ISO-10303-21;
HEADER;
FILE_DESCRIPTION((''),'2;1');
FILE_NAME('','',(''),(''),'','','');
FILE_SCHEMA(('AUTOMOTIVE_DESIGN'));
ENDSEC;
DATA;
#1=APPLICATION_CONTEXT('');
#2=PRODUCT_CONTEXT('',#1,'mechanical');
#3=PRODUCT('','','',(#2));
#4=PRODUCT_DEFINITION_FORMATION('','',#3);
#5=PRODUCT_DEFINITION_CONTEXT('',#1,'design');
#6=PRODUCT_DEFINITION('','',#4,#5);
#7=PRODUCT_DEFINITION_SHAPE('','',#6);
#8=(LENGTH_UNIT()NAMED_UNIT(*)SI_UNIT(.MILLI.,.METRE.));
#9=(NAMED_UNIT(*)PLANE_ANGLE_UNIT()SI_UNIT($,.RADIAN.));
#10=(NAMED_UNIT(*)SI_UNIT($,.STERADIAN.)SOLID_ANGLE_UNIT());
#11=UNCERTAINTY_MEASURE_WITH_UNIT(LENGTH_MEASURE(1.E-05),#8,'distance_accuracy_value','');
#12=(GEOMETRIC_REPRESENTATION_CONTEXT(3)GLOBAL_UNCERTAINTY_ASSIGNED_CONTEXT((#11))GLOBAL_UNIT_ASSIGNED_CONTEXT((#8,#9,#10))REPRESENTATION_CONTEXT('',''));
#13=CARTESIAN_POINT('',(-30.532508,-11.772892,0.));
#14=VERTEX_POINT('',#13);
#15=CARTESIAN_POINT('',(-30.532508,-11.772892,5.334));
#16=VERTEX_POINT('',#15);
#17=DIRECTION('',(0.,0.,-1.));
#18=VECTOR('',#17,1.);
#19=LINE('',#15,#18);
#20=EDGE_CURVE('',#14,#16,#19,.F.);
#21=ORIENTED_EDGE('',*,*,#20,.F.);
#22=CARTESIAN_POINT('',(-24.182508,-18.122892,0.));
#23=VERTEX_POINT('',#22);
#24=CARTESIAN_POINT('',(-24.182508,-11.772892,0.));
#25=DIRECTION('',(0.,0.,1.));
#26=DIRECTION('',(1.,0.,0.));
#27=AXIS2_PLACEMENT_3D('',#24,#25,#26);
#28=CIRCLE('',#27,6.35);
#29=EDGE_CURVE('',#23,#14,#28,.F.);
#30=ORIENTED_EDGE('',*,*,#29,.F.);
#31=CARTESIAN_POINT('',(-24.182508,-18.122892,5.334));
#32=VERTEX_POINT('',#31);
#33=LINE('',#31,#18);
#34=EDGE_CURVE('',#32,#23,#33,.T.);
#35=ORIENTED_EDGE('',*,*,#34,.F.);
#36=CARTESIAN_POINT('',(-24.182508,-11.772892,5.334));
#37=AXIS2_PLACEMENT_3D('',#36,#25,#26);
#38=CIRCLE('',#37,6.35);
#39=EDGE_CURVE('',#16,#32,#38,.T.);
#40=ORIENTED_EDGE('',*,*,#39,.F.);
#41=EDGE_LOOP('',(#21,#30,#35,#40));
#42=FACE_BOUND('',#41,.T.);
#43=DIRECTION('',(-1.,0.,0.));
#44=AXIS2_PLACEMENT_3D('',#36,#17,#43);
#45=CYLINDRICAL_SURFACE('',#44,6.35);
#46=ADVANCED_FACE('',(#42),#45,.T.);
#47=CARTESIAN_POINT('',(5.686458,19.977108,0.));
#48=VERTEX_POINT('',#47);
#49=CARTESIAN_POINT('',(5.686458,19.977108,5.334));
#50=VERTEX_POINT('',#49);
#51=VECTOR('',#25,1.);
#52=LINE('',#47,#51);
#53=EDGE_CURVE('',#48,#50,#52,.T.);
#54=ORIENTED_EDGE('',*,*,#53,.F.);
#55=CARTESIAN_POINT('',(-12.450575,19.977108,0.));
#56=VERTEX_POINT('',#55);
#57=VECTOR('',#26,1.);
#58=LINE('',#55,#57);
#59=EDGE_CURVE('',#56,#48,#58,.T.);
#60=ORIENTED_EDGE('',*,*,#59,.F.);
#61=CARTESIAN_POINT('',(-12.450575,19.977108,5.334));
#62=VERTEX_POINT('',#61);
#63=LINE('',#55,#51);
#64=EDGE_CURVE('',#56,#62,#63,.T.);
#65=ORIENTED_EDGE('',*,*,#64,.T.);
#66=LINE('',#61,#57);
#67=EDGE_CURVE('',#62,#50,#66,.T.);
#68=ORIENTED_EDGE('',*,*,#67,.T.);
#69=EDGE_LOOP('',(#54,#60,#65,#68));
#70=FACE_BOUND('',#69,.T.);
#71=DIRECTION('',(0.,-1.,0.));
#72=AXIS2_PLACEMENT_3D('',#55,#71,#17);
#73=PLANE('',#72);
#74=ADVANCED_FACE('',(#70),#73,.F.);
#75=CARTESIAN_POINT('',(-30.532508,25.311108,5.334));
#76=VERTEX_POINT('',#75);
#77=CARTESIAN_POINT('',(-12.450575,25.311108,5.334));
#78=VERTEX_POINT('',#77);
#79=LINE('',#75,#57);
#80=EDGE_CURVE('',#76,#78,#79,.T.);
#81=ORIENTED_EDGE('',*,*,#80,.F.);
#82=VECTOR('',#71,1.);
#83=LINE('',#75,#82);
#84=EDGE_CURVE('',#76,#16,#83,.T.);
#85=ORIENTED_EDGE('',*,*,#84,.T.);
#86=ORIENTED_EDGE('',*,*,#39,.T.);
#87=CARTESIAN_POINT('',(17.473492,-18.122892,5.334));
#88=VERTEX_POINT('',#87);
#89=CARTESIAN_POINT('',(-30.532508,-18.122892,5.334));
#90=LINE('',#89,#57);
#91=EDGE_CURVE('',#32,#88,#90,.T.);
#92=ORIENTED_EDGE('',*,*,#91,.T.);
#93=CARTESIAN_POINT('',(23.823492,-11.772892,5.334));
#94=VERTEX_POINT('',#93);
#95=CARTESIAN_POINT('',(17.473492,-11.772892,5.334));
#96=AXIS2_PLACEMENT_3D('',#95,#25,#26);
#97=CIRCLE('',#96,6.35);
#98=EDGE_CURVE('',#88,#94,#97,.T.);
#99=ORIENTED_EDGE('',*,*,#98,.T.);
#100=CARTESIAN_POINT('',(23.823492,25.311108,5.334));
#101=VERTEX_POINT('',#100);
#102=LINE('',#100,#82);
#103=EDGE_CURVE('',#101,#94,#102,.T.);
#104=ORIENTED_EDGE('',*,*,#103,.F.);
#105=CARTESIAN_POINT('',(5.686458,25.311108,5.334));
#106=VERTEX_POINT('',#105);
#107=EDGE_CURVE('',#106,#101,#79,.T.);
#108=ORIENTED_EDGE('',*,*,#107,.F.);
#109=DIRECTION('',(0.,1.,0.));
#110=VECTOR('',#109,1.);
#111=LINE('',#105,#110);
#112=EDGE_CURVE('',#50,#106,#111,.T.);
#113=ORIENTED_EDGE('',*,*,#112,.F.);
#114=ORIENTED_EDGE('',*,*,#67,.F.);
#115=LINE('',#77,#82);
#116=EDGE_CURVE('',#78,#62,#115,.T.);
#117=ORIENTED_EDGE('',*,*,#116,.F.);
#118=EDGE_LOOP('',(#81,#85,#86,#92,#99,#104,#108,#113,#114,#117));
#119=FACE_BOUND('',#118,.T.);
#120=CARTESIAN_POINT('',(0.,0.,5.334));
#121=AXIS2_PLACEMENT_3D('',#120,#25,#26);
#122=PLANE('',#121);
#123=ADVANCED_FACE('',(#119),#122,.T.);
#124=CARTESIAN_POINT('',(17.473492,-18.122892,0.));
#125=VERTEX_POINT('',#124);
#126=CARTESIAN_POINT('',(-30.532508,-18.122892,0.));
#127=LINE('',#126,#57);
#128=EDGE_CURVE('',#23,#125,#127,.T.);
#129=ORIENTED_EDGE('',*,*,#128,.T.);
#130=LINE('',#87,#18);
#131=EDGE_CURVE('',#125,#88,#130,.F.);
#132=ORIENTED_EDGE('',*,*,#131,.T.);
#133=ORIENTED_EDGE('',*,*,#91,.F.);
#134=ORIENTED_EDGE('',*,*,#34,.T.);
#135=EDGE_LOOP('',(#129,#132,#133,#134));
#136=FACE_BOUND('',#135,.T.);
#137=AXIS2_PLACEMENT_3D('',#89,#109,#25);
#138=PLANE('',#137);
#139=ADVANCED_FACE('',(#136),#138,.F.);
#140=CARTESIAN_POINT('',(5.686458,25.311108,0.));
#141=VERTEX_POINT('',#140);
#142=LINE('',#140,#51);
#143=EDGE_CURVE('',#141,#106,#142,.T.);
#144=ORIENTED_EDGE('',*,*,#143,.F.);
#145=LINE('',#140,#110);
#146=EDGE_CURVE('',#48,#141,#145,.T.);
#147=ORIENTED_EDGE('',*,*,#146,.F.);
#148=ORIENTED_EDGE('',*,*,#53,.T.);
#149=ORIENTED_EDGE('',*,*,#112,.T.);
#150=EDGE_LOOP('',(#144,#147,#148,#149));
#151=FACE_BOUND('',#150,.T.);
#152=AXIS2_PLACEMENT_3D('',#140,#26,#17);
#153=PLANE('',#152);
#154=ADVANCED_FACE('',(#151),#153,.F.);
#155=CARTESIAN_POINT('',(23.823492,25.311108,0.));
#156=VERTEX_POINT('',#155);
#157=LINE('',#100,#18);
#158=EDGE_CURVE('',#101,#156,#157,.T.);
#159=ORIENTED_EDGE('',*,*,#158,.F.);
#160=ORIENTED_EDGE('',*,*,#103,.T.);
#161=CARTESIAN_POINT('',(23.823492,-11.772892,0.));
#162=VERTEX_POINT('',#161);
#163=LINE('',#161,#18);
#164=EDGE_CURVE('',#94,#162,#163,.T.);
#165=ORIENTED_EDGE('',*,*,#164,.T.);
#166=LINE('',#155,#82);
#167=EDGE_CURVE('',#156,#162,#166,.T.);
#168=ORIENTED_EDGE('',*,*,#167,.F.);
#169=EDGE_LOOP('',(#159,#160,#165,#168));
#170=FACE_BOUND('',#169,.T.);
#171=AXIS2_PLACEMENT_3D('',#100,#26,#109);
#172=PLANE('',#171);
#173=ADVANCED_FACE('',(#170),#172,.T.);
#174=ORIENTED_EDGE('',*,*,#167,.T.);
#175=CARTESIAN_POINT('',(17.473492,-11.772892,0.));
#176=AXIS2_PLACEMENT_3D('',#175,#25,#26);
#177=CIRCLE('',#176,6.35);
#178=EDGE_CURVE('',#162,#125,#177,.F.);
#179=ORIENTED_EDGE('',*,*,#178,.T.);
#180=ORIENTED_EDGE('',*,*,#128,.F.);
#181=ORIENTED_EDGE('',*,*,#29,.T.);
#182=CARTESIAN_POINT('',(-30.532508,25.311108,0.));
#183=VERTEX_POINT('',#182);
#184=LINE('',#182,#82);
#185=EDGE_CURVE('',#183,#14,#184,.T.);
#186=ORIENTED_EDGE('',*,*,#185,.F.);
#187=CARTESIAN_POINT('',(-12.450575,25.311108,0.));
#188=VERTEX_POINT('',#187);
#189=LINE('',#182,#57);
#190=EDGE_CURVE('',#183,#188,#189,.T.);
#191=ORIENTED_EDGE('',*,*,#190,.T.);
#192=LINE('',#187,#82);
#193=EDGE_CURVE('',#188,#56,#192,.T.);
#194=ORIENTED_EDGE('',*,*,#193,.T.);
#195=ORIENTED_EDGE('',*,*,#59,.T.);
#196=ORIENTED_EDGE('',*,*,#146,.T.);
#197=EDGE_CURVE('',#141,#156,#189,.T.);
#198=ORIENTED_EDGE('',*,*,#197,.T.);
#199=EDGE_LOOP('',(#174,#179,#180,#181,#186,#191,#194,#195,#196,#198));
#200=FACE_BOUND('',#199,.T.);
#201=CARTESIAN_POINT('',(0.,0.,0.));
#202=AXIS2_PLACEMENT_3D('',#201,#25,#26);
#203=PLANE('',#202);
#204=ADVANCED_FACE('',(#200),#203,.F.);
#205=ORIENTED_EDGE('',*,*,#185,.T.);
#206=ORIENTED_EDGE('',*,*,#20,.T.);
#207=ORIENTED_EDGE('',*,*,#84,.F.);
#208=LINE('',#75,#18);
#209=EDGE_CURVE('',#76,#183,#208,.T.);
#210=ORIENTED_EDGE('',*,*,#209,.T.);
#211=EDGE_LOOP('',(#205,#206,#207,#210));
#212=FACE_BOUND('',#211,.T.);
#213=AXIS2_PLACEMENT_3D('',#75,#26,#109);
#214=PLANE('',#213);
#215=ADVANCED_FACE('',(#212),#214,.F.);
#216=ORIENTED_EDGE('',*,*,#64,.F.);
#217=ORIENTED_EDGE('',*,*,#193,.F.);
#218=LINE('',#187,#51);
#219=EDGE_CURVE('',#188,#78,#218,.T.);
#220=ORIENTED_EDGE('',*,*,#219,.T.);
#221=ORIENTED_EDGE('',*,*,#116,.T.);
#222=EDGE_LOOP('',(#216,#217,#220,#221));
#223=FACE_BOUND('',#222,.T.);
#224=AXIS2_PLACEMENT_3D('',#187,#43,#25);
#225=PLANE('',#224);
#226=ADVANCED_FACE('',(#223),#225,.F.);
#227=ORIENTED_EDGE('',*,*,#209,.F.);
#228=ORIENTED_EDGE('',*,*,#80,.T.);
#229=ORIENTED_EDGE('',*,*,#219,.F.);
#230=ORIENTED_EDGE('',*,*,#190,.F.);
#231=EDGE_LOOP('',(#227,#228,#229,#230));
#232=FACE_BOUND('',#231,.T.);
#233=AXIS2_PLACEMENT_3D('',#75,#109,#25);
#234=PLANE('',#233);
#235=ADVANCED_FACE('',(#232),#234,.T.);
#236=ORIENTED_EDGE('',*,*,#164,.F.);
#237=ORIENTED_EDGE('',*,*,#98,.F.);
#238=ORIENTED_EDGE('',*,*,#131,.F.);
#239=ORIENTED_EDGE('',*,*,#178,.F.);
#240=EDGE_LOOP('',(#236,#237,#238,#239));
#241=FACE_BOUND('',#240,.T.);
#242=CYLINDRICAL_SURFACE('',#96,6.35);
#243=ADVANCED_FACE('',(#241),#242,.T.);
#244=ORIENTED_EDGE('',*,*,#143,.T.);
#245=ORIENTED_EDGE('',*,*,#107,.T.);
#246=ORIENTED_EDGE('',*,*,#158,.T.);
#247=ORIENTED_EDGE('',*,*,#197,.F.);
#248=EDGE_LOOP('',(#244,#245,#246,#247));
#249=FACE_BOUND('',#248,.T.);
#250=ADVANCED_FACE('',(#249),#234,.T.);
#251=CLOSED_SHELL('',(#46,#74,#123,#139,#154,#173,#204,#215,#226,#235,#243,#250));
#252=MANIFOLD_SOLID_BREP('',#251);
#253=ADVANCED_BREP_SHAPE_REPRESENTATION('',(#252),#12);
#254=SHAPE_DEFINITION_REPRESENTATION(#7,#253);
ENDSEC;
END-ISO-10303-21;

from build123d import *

# Parameters (mm, degrees)
SKETCH1_W           = 54.356
SKETCH1_H           = 43.434
BOSS_EXTRUDE1_DEPTH = 5.334
SKETCH2_W           = 18.137033298
SKETCH2_H           = 5.334
CUT_EXTRUDE1_DEPTH  = 41.016719041
FILLET1_R           = 6.35


with BuildPart() as part:
    # Sketch1 → Boss-Extrude1 (new body)
    with BuildSketch(Plane.XY):
        with Locations((-3.35450847, 3.594107707)):
            Rectangle(SKETCH1_W, SKETCH1_H)
    extrude(amount=BOSS_EXTRUDE1_DEPTH)

    # Sketch2 → Cut-Extrude1 (cut, through all)
    with BuildSketch(Plane.XY.offset(5.334)):
        with Locations((-3.382058417, 22.644107707)):
            Rectangle(SKETCH2_W, SKETCH2_H)
    extrude(amount=-CUT_EXTRUDE1_DEPTH, mode=Mode.SUBTRACT)

    # Fillet1
    fillet1_edges = [part.edges().sort_by_distance(p)[0] for p in [
        (23.82349153, -18.122892293, 2.667),
        (-30.53250847, -18.122892293, 2.667),
    ]]
    fillet(fillet1_edges, radius=FILLET1_R)


solid = part.part
